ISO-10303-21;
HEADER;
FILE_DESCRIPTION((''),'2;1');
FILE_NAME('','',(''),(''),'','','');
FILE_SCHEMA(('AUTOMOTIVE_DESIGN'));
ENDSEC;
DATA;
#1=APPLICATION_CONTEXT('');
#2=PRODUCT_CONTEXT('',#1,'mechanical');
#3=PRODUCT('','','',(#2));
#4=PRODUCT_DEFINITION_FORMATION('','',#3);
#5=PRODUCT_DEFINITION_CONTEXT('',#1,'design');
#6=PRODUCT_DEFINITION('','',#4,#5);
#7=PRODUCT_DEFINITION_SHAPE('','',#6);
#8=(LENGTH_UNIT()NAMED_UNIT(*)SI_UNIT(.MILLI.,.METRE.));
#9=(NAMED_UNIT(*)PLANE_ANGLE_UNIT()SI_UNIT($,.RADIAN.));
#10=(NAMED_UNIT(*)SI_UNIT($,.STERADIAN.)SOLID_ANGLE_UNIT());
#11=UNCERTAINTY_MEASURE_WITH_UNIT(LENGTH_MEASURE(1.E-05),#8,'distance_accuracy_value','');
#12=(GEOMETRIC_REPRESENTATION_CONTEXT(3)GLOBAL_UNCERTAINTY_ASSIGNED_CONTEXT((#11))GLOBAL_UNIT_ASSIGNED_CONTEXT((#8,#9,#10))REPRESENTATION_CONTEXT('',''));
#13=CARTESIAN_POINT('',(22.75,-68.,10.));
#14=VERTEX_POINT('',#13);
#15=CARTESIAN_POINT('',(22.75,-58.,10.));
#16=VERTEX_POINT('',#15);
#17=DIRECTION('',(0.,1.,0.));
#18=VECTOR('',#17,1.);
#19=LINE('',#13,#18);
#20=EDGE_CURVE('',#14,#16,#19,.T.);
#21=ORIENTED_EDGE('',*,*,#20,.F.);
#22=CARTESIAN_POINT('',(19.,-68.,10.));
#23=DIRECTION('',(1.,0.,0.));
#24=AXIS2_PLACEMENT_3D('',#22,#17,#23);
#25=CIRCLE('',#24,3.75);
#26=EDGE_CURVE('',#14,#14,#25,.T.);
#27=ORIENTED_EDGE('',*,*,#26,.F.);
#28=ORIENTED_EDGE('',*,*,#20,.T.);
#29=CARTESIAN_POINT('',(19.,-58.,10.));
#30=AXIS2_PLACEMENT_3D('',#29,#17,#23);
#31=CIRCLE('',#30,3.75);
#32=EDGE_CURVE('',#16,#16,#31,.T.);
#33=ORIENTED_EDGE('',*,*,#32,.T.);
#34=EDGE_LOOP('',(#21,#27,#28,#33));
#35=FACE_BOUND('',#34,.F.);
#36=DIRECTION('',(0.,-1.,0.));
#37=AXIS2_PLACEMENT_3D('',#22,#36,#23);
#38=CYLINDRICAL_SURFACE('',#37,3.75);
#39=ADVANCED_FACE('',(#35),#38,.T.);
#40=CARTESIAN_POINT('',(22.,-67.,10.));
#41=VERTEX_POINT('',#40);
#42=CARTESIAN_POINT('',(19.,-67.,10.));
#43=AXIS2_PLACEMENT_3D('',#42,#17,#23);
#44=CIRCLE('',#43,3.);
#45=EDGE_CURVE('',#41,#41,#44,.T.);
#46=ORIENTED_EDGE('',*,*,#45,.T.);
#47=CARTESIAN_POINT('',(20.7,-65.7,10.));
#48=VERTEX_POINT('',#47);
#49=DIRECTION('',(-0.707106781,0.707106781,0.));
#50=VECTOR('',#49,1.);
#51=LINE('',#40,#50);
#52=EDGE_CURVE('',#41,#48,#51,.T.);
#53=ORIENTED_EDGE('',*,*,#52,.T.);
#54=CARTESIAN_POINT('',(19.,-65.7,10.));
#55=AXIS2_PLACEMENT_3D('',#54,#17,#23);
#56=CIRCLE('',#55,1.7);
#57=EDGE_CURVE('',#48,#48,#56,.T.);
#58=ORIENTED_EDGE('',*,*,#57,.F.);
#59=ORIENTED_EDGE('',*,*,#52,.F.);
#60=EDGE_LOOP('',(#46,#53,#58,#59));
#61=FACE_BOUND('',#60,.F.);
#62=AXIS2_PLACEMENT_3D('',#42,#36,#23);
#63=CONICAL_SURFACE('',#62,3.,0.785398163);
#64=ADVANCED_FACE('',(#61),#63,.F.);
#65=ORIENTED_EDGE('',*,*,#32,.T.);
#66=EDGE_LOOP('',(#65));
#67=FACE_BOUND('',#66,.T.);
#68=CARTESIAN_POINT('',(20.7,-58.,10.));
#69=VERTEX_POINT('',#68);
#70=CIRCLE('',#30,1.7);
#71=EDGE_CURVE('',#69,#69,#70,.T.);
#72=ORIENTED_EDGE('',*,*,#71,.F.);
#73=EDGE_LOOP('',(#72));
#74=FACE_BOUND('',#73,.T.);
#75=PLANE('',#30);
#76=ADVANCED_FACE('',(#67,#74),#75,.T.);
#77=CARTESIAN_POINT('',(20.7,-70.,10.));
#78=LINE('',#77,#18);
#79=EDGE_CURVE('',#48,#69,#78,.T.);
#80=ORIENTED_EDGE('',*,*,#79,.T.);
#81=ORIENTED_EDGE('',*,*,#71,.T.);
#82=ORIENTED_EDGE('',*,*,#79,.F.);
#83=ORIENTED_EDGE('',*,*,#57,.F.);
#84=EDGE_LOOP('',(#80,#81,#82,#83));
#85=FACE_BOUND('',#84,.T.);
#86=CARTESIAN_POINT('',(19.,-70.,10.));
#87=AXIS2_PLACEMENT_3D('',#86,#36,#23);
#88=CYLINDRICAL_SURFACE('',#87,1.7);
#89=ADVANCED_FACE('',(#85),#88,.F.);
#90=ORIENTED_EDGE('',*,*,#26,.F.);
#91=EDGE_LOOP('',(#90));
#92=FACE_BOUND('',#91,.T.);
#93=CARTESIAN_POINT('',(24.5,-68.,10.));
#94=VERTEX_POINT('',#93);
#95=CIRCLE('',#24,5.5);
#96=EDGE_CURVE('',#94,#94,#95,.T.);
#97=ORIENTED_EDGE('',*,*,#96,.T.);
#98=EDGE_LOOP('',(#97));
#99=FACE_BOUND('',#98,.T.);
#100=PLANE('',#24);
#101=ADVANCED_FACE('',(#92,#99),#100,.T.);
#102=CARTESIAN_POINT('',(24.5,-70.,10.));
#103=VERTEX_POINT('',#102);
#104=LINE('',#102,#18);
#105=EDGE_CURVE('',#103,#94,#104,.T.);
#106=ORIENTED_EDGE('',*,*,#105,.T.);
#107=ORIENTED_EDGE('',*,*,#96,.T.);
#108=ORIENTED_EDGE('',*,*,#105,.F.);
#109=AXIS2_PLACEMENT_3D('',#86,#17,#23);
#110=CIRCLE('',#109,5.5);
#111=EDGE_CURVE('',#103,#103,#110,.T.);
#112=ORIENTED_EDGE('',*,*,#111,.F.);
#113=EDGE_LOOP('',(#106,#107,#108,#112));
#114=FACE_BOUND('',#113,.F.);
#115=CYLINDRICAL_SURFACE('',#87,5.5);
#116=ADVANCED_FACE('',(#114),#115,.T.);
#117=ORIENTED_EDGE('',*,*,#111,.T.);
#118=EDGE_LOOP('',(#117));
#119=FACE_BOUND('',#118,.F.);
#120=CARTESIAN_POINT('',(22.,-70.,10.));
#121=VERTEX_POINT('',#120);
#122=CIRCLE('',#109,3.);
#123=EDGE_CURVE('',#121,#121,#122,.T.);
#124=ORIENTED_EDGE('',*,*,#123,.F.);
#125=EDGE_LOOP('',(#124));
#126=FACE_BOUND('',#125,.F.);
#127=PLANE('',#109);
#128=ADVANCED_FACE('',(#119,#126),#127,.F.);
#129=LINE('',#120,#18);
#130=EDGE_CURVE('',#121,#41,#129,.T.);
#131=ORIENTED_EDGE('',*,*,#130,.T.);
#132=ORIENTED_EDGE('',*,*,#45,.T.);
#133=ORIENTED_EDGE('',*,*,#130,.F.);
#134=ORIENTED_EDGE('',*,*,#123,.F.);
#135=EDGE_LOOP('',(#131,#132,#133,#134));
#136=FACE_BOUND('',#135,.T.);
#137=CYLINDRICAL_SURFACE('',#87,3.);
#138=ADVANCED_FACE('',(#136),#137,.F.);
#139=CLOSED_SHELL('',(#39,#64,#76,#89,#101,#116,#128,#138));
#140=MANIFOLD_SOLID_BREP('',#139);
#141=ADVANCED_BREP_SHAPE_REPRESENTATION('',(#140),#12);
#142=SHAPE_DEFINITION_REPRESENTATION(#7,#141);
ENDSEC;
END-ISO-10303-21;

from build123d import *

# Parameters (mm, degrees)
CYLINDER100_R     = 1.7
CYLINDER100_DEPTH = 12
CYLINDER099_R     = 3
CYLINDER099_DEPTH = 3
CYLINDER098_R     = 3.75
CYLINDER098_DEPTH = 10
CYLINDER097_R     = 5.5
CYLINDER097_DEPTH = 2
CUT051_ROLL_ANGLE = -90


with BuildPart() as deltacylinder036:
    # Cylinder100 → Cylinder100 (new body)
    with BuildSketch(Plane.XY):
        Circle(CYLINDER100_R)
    extrude(amount=CYLINDER100_DEPTH)


with BuildPart() as deltacylinder035:
    # Cylinder099 → Cylinder099 (new body)
    with BuildSketch(Plane.XY):
        Circle(CYLINDER099_R)
    extrude(amount=CYLINDER099_DEPTH)


with BuildPart() as deltacone001:
    # Cone007 → Cone007 (revolve)
    with BuildSketch(Plane(origin=(0, 0, 3), x_dir=(1, 0, 0), z_dir=(0, -1, 0))):
        Polygon((0, 0), (3, 0), (1.7, 1.3), (0, 1.3), align=None)
    revolve(axis=Axis((0, 0, 3), (0, 0, 1)))


with BuildPart() as cylinder117:
    # Cylinder098 → Cylinder098 (new body)
    with BuildSketch(Plane.XY.offset(2)):
        Circle(CYLINDER098_R)
    extrude(amount=CYLINDER098_DEPTH)


with BuildPart() as springguide:
    # Cylinder097 → Cylinder097 (new body)
    with BuildSketch(Plane.XY):
        Circle(CYLINDER097_R)
    extrude(amount=CYLINDER097_DEPTH)

    # Fusion004: union Cylinder117
    add(cylinder117.part)

    # Cut049: cut DeltaCone001
    add(deltacone001.part, mode=Mode.SUBTRACT)

    # Cut050: cut DeltaCylinder035
    add(deltacylinder035.part, mode=Mode.SUBTRACT)

    # Cut051: cut DeltaCylinder036
    add(deltacylinder036.part, mode=Mode.SUBTRACT)


with BuildPart() as springguide_1:
    # Cut051 roll: moved
    add(springguide.part.rotate(Axis((0, 0, 0), (1, 0, 0)), CUT051_ROLL_ANGLE))


with BuildPart() as springguide_2:
    # Cut051 placement: moved
    add(springguide_1.part.moved(Location((19, -70, 10))))


solid = springguide_2.part
